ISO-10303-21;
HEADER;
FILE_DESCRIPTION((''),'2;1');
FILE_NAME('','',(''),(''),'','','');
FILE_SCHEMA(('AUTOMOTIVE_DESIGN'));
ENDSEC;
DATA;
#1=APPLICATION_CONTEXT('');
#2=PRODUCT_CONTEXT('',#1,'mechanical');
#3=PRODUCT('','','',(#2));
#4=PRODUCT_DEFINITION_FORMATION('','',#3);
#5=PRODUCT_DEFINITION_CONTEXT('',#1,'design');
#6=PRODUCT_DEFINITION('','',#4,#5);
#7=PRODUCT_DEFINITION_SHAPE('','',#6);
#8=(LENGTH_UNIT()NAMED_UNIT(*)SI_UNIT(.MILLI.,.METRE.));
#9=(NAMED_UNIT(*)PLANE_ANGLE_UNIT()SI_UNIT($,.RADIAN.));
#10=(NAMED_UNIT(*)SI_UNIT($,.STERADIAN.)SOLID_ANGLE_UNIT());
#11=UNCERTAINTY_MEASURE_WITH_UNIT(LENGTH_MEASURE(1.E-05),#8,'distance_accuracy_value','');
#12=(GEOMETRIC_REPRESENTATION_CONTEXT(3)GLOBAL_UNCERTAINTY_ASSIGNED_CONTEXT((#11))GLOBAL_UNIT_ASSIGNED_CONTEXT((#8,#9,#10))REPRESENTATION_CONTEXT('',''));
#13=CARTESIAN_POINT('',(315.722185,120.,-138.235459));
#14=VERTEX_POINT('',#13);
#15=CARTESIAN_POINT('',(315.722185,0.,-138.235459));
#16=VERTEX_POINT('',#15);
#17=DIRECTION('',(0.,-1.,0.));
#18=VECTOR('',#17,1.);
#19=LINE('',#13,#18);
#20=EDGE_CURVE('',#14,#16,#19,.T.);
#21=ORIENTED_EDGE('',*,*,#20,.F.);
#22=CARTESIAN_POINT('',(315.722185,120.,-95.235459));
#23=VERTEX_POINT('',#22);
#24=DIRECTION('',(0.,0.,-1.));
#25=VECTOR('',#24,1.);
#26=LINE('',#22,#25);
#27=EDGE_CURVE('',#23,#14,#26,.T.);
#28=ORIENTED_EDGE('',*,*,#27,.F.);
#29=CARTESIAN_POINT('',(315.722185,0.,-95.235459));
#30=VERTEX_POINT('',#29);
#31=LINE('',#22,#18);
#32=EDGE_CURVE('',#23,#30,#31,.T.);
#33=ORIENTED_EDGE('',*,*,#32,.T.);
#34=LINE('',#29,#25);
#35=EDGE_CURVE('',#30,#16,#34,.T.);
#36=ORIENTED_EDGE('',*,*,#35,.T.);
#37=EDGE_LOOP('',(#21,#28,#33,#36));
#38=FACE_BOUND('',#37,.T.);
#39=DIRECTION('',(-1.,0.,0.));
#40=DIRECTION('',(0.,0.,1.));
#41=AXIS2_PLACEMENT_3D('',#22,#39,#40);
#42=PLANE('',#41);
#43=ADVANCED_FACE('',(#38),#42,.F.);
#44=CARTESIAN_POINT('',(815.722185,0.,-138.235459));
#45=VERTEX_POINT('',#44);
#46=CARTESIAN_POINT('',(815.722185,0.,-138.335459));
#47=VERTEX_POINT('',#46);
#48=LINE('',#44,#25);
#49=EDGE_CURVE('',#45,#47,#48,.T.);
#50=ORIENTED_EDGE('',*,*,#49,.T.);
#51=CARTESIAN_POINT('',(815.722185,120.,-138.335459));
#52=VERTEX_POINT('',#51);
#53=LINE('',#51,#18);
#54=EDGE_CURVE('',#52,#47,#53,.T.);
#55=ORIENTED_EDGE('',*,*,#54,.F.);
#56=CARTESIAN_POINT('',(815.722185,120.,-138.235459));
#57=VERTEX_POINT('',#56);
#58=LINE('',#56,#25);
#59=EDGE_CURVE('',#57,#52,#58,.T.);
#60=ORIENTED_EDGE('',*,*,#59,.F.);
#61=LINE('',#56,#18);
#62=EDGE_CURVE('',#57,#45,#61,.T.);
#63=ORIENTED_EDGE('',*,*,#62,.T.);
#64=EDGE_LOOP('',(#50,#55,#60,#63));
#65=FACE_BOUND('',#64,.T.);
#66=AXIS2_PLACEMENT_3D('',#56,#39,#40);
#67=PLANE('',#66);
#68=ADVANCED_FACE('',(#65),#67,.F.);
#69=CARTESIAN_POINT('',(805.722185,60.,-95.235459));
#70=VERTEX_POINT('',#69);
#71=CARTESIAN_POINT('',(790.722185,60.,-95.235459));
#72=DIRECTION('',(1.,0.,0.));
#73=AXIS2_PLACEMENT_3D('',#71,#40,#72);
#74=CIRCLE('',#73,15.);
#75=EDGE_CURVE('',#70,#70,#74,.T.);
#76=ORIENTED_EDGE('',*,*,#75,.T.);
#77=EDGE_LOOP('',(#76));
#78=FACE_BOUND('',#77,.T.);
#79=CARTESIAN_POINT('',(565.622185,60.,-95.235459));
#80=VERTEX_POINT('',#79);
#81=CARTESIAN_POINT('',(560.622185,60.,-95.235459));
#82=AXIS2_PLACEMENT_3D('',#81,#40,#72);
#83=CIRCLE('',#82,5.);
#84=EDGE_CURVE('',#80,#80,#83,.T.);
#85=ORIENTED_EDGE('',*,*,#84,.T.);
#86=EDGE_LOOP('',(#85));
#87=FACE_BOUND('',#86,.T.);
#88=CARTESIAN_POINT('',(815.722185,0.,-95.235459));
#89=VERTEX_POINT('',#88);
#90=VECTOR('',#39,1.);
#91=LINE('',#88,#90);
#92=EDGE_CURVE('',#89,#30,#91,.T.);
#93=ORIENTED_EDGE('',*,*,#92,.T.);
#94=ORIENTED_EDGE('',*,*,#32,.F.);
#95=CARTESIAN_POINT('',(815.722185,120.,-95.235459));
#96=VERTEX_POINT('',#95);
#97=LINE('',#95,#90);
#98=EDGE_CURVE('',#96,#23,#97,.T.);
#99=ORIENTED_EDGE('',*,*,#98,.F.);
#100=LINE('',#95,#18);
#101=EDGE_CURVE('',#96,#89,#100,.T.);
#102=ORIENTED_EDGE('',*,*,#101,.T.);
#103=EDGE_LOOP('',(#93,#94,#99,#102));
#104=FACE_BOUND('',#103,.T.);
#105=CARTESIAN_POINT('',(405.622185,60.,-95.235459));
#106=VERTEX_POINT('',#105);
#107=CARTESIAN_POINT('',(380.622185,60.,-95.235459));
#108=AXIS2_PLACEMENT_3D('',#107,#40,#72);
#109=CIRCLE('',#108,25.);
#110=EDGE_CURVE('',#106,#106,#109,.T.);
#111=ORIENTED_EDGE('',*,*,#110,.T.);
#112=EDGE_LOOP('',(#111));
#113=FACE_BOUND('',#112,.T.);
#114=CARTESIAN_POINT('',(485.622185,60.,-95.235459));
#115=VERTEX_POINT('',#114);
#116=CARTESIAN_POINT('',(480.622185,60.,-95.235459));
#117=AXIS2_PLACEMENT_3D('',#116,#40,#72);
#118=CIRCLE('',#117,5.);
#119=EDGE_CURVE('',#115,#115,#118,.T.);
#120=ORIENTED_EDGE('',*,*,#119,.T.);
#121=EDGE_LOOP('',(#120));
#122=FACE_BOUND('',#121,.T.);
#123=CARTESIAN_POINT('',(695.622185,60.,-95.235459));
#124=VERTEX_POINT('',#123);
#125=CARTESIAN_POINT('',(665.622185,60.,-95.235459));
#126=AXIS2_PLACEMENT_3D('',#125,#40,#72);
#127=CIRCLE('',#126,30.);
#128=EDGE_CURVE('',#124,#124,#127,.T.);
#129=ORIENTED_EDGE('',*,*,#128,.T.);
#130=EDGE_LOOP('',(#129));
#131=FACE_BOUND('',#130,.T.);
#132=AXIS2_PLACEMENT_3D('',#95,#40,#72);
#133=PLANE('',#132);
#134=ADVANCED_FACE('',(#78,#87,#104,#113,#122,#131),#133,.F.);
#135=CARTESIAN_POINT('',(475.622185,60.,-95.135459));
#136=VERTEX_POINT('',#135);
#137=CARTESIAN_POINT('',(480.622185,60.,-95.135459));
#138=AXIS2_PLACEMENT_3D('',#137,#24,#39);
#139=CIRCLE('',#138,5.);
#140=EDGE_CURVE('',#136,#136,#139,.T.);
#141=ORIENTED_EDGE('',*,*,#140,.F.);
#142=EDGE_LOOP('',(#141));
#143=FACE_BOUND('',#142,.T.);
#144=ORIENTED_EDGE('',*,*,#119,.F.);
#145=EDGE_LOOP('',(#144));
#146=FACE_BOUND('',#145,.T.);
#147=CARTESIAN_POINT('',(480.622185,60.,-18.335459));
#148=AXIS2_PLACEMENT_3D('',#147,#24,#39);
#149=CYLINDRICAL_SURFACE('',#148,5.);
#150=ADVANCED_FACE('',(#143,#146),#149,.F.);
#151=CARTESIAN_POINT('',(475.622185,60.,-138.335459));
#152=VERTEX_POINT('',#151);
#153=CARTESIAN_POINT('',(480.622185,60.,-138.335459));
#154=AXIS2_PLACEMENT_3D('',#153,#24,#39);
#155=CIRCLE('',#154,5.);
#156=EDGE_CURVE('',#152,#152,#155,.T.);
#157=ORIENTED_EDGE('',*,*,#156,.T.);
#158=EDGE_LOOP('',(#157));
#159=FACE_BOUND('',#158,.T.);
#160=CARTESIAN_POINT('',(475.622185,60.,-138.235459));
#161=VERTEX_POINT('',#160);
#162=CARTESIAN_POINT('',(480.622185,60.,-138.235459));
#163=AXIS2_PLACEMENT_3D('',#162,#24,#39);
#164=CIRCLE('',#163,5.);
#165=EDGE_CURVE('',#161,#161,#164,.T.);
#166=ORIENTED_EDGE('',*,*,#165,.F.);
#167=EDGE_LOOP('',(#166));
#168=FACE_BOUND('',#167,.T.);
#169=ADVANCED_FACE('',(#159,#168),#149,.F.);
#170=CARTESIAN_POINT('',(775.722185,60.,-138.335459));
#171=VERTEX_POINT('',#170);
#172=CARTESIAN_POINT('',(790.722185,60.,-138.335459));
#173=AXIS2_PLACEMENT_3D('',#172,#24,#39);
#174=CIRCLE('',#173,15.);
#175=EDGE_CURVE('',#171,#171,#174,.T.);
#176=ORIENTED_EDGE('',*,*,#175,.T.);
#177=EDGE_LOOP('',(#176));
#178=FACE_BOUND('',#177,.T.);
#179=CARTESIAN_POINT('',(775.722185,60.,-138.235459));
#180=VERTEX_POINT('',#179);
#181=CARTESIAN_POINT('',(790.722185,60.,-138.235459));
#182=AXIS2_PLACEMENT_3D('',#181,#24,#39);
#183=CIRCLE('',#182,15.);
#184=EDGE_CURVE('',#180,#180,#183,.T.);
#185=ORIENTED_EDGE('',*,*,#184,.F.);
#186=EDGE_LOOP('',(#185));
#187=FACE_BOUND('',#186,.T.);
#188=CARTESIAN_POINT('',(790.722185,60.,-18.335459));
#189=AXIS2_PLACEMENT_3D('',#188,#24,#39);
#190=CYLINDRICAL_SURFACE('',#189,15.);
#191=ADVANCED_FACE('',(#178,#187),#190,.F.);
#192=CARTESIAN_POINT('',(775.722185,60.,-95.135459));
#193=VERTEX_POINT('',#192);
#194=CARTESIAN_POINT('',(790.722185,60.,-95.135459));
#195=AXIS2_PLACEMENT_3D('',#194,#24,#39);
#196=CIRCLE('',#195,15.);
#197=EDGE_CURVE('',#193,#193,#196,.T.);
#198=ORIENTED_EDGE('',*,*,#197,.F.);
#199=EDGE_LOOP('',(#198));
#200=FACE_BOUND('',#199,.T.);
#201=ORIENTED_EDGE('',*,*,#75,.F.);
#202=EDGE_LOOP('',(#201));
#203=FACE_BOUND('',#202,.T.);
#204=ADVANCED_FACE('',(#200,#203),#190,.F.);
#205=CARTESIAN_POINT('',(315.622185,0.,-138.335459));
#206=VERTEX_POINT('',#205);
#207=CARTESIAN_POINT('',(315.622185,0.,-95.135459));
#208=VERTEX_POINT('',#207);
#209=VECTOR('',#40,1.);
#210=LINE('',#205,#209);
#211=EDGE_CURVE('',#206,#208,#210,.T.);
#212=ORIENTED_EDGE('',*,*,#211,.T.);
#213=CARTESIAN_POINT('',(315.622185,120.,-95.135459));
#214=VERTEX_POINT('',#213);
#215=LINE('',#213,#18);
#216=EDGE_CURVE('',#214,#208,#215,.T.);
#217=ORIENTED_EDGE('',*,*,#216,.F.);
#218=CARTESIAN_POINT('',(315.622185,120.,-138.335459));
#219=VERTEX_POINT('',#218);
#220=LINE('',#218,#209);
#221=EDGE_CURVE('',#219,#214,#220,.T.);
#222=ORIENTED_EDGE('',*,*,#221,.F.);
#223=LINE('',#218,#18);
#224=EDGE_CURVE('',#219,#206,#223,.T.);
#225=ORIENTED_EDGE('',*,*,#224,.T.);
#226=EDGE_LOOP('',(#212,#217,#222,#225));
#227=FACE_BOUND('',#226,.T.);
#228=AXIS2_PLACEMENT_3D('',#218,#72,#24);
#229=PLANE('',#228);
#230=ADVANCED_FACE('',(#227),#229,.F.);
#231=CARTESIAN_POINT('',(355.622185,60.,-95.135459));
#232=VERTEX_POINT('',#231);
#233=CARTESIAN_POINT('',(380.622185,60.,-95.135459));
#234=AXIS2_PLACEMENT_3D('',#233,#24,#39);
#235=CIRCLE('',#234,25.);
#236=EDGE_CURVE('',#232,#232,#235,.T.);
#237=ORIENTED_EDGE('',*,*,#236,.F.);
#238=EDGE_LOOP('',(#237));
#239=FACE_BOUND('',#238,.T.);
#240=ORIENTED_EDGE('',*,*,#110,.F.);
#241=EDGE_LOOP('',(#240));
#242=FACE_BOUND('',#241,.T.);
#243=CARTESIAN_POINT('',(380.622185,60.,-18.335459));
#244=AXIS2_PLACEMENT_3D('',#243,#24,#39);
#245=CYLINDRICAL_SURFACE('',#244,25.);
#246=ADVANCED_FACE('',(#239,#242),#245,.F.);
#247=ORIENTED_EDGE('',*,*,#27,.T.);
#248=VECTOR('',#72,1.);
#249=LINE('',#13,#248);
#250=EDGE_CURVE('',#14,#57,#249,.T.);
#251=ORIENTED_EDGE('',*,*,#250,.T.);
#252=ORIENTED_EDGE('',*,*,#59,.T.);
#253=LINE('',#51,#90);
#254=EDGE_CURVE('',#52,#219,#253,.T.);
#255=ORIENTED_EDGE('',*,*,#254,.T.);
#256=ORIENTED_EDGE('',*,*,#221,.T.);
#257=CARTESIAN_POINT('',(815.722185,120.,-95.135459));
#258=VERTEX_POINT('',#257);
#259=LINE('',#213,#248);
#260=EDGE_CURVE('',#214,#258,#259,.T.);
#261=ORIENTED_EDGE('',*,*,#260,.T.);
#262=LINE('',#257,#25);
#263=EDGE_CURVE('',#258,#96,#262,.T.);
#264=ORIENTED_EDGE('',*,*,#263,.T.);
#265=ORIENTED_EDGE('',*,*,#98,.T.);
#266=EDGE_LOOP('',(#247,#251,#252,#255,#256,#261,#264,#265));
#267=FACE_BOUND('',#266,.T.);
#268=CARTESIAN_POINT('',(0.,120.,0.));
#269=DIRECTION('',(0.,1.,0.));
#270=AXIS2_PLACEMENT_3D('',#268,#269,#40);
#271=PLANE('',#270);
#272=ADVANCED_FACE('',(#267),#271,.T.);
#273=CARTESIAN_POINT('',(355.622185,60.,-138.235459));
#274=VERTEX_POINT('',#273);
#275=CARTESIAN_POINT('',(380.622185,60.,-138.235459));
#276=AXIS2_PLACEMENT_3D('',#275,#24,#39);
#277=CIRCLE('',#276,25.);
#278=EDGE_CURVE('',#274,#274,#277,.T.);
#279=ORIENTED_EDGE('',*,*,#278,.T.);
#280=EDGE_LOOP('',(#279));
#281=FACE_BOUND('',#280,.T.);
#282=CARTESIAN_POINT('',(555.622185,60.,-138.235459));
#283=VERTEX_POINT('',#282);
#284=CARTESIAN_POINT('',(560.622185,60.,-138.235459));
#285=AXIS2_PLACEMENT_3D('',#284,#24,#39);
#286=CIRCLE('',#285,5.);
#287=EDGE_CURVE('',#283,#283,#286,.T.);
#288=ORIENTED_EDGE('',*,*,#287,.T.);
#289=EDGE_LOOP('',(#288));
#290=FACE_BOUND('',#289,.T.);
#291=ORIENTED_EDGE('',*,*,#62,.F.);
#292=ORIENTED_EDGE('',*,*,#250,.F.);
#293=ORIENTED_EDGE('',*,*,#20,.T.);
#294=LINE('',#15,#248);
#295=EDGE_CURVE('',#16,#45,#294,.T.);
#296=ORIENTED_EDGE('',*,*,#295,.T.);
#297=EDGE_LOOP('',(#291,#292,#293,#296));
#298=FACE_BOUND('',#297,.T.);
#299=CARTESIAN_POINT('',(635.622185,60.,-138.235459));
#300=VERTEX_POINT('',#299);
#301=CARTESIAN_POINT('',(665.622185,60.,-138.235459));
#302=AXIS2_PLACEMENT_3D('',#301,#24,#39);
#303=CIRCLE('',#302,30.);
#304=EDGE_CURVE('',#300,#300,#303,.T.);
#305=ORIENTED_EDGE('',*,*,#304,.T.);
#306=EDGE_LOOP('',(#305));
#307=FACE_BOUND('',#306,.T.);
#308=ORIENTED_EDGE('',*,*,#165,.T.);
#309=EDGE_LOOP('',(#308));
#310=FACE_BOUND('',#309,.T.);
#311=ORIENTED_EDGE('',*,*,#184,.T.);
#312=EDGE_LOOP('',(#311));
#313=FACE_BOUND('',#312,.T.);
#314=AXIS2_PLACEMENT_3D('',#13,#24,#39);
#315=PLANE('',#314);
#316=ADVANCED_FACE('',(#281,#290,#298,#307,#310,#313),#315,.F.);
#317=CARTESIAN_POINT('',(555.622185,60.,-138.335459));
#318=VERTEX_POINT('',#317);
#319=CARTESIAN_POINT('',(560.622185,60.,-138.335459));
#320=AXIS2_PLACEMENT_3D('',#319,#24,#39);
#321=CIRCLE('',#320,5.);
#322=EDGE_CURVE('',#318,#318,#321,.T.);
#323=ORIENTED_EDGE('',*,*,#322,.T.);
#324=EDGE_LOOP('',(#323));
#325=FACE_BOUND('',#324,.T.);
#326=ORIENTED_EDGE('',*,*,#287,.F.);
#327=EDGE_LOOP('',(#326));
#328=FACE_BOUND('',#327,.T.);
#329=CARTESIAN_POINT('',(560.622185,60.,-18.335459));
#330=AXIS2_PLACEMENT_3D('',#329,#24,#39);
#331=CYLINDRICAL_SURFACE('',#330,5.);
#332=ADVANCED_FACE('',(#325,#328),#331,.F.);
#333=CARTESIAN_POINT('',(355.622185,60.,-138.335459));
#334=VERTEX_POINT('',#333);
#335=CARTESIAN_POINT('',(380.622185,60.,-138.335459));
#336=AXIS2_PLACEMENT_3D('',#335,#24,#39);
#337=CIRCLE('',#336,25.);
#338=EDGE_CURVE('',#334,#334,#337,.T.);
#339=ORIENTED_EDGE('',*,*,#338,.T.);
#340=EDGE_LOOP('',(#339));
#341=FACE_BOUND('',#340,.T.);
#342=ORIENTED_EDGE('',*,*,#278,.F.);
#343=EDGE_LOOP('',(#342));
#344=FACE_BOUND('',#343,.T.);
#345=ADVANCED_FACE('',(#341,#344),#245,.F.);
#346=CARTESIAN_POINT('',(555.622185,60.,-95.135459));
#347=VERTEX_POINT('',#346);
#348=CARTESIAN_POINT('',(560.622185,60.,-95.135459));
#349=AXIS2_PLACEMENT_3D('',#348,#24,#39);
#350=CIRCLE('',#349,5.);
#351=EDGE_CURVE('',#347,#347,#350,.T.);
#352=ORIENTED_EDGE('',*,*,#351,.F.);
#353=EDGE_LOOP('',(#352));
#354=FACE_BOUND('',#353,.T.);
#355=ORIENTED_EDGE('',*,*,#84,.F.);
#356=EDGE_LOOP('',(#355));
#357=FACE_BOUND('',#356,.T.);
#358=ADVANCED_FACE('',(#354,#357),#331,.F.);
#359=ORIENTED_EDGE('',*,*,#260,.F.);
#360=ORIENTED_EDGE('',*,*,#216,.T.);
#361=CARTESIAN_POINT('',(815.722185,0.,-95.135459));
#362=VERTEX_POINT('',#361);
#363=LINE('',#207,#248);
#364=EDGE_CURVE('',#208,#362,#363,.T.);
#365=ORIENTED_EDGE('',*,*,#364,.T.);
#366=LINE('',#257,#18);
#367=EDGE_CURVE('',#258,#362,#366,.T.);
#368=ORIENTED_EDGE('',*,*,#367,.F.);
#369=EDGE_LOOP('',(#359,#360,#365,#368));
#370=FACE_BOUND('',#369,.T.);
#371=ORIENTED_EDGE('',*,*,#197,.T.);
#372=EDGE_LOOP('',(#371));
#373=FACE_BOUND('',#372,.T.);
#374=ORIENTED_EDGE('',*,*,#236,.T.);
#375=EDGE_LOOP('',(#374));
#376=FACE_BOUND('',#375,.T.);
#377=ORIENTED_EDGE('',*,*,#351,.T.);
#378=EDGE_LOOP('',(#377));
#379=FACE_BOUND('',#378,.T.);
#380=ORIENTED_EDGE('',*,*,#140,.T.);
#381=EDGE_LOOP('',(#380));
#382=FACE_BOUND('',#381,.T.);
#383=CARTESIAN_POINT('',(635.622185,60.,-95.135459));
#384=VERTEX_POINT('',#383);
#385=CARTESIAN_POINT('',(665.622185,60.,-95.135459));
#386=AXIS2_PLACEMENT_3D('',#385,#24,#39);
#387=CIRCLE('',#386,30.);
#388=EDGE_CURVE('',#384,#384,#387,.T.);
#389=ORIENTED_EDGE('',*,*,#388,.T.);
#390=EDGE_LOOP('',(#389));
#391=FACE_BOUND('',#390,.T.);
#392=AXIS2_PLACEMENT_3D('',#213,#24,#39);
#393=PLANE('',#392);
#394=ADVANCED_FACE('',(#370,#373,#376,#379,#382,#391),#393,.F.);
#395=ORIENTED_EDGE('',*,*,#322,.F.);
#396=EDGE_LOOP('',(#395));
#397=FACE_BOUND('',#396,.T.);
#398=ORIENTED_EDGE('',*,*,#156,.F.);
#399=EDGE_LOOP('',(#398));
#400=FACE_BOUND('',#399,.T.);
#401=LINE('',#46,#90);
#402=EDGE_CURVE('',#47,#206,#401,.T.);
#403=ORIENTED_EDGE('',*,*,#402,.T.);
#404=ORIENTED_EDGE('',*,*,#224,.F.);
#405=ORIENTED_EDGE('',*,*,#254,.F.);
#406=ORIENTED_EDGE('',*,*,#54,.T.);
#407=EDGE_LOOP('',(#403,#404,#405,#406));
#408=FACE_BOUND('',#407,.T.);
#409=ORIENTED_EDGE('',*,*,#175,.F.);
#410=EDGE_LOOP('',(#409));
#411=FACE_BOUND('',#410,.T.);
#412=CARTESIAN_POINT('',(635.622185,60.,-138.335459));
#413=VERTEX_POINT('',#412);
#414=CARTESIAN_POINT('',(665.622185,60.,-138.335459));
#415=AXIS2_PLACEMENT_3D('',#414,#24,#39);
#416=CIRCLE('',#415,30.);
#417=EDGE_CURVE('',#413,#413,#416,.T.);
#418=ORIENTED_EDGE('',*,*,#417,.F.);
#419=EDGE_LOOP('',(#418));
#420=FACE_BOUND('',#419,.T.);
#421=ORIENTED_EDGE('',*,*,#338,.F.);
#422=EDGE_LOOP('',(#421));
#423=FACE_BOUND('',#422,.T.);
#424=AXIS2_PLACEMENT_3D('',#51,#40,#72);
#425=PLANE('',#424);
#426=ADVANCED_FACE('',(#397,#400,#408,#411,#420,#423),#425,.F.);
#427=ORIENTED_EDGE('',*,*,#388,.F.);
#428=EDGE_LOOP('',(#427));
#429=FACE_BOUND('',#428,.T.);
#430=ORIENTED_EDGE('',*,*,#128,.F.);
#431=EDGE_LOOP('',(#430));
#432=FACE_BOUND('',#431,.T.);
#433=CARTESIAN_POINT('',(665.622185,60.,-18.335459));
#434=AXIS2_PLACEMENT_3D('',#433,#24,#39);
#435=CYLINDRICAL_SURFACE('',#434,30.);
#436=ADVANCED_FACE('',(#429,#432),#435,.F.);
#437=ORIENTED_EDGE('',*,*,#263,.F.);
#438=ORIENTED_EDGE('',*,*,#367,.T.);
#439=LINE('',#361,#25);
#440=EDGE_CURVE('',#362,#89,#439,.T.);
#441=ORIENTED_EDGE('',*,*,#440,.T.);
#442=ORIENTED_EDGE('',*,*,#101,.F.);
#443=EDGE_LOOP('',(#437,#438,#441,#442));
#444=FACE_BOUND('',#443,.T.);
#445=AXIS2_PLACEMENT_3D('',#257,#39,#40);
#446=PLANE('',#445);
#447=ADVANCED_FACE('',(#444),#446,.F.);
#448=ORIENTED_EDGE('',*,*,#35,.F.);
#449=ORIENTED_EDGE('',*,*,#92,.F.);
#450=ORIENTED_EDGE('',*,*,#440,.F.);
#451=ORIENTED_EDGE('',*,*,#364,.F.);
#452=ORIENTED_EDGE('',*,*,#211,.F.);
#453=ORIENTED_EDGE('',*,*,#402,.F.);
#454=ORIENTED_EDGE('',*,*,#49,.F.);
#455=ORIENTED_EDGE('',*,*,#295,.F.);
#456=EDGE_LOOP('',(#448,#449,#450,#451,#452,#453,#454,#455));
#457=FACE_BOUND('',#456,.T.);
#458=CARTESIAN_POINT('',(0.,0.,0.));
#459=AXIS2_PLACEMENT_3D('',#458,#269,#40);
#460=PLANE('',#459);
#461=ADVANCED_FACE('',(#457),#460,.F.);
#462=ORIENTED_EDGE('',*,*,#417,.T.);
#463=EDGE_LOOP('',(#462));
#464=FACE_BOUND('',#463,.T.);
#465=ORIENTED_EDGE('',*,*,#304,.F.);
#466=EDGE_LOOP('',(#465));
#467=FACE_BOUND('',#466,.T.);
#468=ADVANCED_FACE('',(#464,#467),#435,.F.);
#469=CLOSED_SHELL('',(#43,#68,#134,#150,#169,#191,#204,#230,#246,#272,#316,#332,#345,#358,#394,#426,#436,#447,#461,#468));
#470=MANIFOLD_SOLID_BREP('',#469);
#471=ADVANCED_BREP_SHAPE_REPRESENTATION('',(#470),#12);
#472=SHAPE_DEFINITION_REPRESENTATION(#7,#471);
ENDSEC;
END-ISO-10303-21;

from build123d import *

# Parameters (mm, degrees)
EXTRUDE_1_DEPTH     = 120
SKETCH_2_R          = 25
SKETCH_2_R_2        = 5
SKETCH_2_R_3        = 30
SKETCH_2_R_4        = 15
CUT_EXTRUDE_1_DEPTH = 120


with BuildPart() as part:
    # 草图1 → 凸台-拉伸1 (new body)
    with BuildSketch(Plane(origin=(0, 0, 0), x_dir=(1, 0, 0), z_dir=(0, 1, 0))):
        Polygon((815.722184809, 138.335459402), (315.622184809, 138.335459402), (315.622184809, 95.135459402), (815.722184809, 95.135459402), (815.722184809, 95.235459402), (315.722184809, 95.235459402), (315.722184809, 138.235459402), (815.722184809, 138.235459402), align=None)
    extrude(amount=EXTRUDE_1_DEPTH)

    # 草图2 → 切除-拉伸1 (cut)
    with BuildSketch(Plane(origin=(0, 0, -138.335459402), x_dir=(-1, 0, 0), z_dir=(0, 0, -1))):
        with Locations((-380.622184809, 60)):
            Circle(SKETCH_2_R)
        with Locations((-480.622184809, 60)):
            Circle(SKETCH_2_R_2)
        with Locations((-560.622184809, 60)):
            Circle(SKETCH_2_R_2)
        with Locations((-665.622184809, 60)):
            Circle(SKETCH_2_R_3)
        with Locations((-790.722184809, 60)):
            Circle(SKETCH_2_R_4)
    extrude(amount=-CUT_EXTRUDE_1_DEPTH, mode=Mode.SUBTRACT)


solid = part.part
